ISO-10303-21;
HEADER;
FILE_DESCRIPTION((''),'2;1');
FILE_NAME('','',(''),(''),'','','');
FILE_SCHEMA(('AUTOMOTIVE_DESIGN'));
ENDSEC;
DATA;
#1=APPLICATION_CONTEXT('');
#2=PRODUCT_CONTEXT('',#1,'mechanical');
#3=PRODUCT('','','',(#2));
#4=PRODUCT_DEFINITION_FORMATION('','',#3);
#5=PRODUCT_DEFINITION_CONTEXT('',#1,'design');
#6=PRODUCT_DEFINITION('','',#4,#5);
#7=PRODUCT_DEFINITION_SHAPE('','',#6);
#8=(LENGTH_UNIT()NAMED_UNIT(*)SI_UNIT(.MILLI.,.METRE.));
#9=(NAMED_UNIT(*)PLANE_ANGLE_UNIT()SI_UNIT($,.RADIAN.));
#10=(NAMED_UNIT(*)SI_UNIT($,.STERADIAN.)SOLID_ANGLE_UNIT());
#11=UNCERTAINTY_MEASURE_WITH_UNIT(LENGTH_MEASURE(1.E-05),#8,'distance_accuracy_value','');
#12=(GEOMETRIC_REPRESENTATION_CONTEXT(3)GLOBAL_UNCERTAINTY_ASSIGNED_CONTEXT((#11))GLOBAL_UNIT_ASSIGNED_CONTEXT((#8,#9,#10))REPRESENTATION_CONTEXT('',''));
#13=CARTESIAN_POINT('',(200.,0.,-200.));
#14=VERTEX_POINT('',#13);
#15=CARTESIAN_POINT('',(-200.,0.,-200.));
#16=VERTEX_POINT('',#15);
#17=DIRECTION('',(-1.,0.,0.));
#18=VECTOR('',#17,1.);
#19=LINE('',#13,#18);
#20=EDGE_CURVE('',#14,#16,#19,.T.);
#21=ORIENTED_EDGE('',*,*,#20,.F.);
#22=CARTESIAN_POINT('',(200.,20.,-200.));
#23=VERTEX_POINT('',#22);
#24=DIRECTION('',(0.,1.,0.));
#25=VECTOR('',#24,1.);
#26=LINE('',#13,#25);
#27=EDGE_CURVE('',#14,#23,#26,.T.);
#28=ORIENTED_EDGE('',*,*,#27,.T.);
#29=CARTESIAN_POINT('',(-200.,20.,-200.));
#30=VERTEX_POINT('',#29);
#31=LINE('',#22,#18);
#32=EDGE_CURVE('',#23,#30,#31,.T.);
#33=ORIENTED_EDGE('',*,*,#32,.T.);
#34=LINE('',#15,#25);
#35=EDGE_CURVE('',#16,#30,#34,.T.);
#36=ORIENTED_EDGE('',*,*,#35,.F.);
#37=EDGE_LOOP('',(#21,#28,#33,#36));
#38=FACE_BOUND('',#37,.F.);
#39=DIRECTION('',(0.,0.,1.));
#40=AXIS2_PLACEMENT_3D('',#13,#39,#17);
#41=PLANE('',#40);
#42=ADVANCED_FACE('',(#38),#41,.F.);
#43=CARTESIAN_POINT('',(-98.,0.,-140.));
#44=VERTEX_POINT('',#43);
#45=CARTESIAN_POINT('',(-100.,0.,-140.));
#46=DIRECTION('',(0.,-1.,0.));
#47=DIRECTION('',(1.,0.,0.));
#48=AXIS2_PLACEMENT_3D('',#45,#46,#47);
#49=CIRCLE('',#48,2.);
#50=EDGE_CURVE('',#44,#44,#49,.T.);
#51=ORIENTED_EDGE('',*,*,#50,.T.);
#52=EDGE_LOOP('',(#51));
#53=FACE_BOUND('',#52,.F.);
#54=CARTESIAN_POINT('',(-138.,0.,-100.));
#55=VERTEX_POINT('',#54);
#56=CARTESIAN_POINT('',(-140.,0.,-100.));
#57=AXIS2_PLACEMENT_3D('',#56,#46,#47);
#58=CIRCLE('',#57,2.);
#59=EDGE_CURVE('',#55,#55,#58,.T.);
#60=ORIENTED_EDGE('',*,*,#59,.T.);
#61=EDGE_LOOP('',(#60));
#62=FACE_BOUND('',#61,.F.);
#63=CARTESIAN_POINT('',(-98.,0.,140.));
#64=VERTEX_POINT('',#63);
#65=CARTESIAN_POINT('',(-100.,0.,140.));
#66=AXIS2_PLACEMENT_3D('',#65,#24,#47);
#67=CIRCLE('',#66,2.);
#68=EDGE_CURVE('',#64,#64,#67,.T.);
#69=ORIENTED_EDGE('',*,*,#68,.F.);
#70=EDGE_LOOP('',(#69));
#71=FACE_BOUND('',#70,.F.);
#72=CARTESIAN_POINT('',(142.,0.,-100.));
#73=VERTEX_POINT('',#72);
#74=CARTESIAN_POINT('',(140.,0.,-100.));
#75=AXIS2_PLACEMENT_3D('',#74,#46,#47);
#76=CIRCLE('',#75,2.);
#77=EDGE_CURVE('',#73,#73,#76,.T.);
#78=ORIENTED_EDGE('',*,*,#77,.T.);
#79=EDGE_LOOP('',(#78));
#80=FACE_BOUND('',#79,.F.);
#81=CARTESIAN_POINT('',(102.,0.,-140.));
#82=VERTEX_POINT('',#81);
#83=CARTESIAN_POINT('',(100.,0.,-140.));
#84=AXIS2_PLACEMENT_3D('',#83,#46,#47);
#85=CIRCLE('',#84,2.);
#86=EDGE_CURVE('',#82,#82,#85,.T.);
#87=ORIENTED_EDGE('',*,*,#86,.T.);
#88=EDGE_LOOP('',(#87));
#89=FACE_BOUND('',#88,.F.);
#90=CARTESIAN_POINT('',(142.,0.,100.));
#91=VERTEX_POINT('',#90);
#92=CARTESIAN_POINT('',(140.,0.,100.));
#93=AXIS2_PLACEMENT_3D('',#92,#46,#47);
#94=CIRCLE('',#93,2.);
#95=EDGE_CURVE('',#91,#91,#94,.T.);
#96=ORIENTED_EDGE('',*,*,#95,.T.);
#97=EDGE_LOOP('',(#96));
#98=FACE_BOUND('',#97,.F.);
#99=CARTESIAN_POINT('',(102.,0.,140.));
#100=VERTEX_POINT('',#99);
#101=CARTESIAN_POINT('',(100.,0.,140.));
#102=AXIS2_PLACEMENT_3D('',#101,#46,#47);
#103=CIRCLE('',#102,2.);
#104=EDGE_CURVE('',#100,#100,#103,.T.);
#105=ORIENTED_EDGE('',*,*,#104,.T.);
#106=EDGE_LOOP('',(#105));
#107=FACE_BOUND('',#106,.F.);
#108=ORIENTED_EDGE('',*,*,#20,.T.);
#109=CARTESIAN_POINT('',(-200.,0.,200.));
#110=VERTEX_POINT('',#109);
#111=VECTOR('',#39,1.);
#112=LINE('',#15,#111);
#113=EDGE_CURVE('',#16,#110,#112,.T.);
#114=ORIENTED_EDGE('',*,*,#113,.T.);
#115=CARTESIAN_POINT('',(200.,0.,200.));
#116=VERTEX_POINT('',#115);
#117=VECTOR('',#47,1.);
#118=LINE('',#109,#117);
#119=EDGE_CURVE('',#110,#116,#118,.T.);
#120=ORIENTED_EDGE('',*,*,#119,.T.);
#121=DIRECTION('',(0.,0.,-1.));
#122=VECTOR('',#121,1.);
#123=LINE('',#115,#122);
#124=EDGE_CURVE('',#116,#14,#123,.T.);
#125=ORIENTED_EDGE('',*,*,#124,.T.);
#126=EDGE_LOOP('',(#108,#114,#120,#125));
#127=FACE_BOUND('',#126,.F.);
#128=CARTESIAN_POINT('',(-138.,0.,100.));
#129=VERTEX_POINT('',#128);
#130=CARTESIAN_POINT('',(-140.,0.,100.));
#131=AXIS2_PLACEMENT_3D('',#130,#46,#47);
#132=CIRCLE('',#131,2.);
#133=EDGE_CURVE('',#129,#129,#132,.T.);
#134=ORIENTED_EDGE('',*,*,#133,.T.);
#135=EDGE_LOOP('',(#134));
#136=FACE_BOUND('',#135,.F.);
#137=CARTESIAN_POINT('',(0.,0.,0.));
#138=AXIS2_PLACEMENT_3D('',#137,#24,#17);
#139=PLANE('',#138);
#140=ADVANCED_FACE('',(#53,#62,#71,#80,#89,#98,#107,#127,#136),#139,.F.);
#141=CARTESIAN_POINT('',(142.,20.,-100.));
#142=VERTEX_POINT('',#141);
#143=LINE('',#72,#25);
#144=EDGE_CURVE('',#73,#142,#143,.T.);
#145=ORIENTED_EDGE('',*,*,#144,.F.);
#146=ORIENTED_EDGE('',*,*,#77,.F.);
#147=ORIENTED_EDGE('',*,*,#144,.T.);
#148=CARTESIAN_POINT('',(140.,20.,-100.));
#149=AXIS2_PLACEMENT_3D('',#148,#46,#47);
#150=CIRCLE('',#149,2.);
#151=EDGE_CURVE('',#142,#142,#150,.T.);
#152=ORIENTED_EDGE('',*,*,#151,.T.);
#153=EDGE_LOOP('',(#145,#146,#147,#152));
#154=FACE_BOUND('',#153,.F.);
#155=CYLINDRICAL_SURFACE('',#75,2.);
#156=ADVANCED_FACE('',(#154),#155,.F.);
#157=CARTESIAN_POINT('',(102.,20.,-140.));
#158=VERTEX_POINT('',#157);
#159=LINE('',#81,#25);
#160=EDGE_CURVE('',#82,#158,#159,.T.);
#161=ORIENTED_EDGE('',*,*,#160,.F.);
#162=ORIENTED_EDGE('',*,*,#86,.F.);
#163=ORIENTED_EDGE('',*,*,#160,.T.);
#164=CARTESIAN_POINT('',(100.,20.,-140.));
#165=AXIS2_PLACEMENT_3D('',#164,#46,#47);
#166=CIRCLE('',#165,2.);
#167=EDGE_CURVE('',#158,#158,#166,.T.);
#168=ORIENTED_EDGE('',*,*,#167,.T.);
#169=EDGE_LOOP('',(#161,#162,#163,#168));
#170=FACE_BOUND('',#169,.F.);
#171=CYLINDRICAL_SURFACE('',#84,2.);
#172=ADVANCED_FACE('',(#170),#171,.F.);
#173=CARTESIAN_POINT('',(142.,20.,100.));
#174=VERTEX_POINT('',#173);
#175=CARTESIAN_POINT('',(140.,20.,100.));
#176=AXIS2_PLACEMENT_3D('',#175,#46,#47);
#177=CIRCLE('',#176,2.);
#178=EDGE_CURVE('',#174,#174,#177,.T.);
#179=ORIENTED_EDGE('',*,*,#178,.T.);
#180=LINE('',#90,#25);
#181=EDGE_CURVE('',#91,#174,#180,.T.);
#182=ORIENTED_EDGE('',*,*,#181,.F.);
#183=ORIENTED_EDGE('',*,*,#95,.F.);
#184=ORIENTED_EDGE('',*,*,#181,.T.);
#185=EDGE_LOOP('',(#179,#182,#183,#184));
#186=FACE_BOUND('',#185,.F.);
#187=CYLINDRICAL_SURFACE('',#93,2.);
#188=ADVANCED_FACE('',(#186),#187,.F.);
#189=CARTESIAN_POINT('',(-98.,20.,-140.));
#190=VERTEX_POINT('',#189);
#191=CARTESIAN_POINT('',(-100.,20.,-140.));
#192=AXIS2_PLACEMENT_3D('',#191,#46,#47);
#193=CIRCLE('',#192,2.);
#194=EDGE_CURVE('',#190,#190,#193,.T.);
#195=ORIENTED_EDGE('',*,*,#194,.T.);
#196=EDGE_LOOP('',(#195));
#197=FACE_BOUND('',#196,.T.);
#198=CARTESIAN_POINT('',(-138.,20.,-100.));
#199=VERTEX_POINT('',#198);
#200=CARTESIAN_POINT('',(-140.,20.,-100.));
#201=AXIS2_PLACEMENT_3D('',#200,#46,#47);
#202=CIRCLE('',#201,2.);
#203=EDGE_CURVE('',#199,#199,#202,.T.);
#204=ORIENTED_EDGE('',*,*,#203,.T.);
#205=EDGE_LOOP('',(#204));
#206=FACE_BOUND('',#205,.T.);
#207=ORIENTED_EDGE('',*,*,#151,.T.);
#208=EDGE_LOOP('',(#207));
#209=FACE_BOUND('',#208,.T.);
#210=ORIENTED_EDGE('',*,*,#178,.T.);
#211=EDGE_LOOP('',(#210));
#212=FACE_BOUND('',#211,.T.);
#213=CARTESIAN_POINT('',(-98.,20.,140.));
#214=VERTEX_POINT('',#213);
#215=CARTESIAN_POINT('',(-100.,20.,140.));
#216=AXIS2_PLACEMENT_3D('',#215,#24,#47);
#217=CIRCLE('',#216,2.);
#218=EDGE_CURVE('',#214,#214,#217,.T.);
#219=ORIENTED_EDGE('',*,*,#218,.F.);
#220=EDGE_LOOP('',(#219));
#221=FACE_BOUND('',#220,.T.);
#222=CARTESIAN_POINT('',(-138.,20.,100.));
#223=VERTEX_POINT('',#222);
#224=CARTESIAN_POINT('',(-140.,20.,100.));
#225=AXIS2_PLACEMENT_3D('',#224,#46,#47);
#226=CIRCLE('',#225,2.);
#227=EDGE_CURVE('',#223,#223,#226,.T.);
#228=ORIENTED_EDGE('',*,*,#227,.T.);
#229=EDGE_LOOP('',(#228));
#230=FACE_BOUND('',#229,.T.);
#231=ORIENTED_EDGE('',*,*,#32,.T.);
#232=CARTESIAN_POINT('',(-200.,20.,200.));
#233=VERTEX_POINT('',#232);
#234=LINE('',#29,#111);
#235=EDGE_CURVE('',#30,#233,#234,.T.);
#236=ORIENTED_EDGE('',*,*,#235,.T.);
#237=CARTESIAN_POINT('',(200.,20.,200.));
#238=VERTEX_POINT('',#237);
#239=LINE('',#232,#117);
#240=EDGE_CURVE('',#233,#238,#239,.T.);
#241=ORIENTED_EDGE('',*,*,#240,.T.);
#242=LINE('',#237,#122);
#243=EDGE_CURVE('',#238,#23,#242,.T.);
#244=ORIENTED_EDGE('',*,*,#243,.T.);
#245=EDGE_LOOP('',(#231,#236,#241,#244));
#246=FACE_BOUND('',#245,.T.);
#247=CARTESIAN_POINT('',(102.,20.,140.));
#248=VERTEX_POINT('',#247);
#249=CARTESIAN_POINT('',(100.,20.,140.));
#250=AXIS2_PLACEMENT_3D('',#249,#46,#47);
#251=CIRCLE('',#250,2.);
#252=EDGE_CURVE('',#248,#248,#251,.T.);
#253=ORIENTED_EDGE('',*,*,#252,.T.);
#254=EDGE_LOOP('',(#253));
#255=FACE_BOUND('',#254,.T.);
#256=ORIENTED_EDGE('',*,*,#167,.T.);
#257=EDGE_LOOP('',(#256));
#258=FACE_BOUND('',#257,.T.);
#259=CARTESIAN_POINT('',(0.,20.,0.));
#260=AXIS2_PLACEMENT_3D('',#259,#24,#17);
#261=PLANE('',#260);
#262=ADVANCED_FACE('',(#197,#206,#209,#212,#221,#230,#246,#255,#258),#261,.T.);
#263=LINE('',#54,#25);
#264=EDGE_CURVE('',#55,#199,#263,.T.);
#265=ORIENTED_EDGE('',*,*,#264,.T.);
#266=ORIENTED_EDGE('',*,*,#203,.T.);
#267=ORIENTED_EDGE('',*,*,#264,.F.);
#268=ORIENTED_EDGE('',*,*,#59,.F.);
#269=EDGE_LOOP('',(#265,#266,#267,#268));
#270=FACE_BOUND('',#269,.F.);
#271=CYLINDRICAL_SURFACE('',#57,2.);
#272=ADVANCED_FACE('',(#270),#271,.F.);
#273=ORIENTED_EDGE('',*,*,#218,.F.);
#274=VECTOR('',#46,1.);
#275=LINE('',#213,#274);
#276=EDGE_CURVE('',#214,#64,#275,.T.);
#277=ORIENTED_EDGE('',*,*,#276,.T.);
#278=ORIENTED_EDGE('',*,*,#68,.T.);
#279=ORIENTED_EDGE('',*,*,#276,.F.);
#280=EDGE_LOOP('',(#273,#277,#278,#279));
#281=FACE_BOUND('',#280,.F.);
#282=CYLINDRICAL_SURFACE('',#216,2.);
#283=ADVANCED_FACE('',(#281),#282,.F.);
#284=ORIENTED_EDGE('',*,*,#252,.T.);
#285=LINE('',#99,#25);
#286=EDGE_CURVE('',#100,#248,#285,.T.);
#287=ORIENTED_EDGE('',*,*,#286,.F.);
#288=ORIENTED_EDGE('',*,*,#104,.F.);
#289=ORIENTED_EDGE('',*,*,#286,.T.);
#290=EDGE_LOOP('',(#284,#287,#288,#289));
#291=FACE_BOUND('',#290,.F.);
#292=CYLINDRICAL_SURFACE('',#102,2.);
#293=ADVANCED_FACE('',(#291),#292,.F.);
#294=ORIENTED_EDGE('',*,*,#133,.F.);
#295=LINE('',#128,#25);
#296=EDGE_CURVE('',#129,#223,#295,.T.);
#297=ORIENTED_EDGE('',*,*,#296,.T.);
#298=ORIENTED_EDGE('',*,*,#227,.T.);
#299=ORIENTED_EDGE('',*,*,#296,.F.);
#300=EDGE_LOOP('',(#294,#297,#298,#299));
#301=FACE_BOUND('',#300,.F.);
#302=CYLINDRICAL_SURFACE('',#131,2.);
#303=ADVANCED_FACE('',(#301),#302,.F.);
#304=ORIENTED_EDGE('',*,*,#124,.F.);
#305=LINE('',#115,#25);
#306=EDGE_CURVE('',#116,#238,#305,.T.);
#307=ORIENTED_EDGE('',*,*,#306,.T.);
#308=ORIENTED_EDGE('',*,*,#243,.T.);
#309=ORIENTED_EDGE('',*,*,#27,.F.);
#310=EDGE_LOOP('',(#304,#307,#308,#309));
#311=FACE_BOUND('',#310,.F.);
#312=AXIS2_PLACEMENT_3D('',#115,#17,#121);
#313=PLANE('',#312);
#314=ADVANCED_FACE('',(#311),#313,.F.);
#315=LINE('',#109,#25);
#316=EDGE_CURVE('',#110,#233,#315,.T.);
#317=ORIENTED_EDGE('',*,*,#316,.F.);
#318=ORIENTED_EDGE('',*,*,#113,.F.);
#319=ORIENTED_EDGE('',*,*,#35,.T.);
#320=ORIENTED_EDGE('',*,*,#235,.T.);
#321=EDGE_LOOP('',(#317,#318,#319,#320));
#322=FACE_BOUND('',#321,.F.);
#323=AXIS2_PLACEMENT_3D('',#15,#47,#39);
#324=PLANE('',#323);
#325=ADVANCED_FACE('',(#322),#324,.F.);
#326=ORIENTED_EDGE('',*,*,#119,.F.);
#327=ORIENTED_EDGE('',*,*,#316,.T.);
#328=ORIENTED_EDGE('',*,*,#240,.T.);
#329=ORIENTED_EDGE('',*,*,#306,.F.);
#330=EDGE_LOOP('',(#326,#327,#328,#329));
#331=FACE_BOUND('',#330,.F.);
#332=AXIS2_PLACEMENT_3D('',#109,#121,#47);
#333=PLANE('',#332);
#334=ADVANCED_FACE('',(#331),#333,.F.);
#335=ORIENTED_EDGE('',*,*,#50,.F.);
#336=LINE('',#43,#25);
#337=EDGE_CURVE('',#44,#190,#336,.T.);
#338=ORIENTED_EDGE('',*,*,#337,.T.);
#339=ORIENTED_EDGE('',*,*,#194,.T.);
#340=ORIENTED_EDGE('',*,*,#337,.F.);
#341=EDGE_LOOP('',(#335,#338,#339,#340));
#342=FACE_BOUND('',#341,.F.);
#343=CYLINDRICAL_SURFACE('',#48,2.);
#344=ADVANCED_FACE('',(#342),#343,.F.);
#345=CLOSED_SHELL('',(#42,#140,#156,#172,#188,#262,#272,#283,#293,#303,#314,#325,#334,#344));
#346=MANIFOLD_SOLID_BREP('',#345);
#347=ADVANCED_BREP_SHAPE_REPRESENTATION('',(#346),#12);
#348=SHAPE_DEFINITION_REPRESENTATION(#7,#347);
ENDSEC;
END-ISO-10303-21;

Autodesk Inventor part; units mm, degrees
ref_plane "YZ Plane" through (0, 0, 0) normal (1, 0, 0) x (0, 1, 0)
ref_plane "XZ Plane" through (0, 0, 0) normal (0, 1, 0) x (-1, 0, 0)
ref_plane "XY Plane" through (0, 0, 0) normal (0, 0, 1) x (1, 0, 0)
sketch "草图1" plane through (0, 0, 0) normal (0, 1, 0) x (-1, 0, 0)
  line L0 (200, 200) -> (-200, 200)
  line L1 (-200, 200) -> (-200, -200)
  line L2 (-200, -200) -> (200, -200)
  line L3 (200, -200) -> (200, 200)
  point P0 (0, 0)
  dimension "d0" = 400
  dimension "d1" = 400
extrude "拉伸1" add sketch "草图1" along normal blind 20
sketch "草图2" plane through (0, 20, 0) normal (0, 1, 0) x (1, 0, 0)
  circle A0 centre (-100, -140) radius 2
  point P0 (0, 0)
  dimension "d4" = 4
extrude "拉伸2" cut sketch "草图2" against normal blind 20
sketch "草图3" plane through (0, 0, 0) normal (0, -1, 0) x (1, 0, 0)
  circle A0 centre (140, 100) radius 2
  point P0 (0, 0)
  dimension "d7" = 4
extrude "拉伸3" cut sketch "草图3" against normal blind 20
sketch "草图4" plane through (0, 0, 0) normal (0, -1, 0) x (1, 0, 0)
  circle A0 centre (100, 140) radius 2
  point P0 (0, 0)
  dimension "d10" = 4
extrude "拉伸4" cut sketch "草图4" against normal blind 20
sketch "草图5" plane through (0, 0, 0) normal (0, -1, 0) x (1, 0, 0)
  circle A0 centre (-140, 100) radius 2
  point P0 (0, 0)
  dimension "d13" = 4
extrude "拉伸5" cut sketch "草图5" against normal blind 20
sketch "草图6" plane through (0, 0, 0) normal (0, -1, 0) x (1, 0, 0)
  circle A0 centre (140, -100) radius 2
  point P0 (0, 0)
  dimension "d16" = 4
extrude "拉伸6" cut sketch "草图6" against normal through all
sketch "草图7" plane through (0, 0, 0) normal (0, -1, 0) x (1, 0, 0)
  circle A0 centre (100, -140) radius 2
  point P0 (0, 0)
  dimension "d19" = 4
extrude "拉伸7" cut sketch "草图7" against normal through all
sketch "草图8" plane through (0, 0, 0) normal (0, -1, 0) x (1, 0, 0)
  circle A0 centre (-140, -100) radius 2
  point P0 (0, 0)
  dimension "d22" = 4
extrude "拉伸8" cut sketch "草图8" against normal through all
sketch "草图9" plane through (0, 0, 0) normal (0, -1, 0) x (1, 0, 0)
  circle A0 centre (-100, -140) radius 2
  point P0 (0, 0)
  dimension "d25" = 4
extrude "拉伸9" cut sketch "草图9" against normal through all
properties part number "底板"
